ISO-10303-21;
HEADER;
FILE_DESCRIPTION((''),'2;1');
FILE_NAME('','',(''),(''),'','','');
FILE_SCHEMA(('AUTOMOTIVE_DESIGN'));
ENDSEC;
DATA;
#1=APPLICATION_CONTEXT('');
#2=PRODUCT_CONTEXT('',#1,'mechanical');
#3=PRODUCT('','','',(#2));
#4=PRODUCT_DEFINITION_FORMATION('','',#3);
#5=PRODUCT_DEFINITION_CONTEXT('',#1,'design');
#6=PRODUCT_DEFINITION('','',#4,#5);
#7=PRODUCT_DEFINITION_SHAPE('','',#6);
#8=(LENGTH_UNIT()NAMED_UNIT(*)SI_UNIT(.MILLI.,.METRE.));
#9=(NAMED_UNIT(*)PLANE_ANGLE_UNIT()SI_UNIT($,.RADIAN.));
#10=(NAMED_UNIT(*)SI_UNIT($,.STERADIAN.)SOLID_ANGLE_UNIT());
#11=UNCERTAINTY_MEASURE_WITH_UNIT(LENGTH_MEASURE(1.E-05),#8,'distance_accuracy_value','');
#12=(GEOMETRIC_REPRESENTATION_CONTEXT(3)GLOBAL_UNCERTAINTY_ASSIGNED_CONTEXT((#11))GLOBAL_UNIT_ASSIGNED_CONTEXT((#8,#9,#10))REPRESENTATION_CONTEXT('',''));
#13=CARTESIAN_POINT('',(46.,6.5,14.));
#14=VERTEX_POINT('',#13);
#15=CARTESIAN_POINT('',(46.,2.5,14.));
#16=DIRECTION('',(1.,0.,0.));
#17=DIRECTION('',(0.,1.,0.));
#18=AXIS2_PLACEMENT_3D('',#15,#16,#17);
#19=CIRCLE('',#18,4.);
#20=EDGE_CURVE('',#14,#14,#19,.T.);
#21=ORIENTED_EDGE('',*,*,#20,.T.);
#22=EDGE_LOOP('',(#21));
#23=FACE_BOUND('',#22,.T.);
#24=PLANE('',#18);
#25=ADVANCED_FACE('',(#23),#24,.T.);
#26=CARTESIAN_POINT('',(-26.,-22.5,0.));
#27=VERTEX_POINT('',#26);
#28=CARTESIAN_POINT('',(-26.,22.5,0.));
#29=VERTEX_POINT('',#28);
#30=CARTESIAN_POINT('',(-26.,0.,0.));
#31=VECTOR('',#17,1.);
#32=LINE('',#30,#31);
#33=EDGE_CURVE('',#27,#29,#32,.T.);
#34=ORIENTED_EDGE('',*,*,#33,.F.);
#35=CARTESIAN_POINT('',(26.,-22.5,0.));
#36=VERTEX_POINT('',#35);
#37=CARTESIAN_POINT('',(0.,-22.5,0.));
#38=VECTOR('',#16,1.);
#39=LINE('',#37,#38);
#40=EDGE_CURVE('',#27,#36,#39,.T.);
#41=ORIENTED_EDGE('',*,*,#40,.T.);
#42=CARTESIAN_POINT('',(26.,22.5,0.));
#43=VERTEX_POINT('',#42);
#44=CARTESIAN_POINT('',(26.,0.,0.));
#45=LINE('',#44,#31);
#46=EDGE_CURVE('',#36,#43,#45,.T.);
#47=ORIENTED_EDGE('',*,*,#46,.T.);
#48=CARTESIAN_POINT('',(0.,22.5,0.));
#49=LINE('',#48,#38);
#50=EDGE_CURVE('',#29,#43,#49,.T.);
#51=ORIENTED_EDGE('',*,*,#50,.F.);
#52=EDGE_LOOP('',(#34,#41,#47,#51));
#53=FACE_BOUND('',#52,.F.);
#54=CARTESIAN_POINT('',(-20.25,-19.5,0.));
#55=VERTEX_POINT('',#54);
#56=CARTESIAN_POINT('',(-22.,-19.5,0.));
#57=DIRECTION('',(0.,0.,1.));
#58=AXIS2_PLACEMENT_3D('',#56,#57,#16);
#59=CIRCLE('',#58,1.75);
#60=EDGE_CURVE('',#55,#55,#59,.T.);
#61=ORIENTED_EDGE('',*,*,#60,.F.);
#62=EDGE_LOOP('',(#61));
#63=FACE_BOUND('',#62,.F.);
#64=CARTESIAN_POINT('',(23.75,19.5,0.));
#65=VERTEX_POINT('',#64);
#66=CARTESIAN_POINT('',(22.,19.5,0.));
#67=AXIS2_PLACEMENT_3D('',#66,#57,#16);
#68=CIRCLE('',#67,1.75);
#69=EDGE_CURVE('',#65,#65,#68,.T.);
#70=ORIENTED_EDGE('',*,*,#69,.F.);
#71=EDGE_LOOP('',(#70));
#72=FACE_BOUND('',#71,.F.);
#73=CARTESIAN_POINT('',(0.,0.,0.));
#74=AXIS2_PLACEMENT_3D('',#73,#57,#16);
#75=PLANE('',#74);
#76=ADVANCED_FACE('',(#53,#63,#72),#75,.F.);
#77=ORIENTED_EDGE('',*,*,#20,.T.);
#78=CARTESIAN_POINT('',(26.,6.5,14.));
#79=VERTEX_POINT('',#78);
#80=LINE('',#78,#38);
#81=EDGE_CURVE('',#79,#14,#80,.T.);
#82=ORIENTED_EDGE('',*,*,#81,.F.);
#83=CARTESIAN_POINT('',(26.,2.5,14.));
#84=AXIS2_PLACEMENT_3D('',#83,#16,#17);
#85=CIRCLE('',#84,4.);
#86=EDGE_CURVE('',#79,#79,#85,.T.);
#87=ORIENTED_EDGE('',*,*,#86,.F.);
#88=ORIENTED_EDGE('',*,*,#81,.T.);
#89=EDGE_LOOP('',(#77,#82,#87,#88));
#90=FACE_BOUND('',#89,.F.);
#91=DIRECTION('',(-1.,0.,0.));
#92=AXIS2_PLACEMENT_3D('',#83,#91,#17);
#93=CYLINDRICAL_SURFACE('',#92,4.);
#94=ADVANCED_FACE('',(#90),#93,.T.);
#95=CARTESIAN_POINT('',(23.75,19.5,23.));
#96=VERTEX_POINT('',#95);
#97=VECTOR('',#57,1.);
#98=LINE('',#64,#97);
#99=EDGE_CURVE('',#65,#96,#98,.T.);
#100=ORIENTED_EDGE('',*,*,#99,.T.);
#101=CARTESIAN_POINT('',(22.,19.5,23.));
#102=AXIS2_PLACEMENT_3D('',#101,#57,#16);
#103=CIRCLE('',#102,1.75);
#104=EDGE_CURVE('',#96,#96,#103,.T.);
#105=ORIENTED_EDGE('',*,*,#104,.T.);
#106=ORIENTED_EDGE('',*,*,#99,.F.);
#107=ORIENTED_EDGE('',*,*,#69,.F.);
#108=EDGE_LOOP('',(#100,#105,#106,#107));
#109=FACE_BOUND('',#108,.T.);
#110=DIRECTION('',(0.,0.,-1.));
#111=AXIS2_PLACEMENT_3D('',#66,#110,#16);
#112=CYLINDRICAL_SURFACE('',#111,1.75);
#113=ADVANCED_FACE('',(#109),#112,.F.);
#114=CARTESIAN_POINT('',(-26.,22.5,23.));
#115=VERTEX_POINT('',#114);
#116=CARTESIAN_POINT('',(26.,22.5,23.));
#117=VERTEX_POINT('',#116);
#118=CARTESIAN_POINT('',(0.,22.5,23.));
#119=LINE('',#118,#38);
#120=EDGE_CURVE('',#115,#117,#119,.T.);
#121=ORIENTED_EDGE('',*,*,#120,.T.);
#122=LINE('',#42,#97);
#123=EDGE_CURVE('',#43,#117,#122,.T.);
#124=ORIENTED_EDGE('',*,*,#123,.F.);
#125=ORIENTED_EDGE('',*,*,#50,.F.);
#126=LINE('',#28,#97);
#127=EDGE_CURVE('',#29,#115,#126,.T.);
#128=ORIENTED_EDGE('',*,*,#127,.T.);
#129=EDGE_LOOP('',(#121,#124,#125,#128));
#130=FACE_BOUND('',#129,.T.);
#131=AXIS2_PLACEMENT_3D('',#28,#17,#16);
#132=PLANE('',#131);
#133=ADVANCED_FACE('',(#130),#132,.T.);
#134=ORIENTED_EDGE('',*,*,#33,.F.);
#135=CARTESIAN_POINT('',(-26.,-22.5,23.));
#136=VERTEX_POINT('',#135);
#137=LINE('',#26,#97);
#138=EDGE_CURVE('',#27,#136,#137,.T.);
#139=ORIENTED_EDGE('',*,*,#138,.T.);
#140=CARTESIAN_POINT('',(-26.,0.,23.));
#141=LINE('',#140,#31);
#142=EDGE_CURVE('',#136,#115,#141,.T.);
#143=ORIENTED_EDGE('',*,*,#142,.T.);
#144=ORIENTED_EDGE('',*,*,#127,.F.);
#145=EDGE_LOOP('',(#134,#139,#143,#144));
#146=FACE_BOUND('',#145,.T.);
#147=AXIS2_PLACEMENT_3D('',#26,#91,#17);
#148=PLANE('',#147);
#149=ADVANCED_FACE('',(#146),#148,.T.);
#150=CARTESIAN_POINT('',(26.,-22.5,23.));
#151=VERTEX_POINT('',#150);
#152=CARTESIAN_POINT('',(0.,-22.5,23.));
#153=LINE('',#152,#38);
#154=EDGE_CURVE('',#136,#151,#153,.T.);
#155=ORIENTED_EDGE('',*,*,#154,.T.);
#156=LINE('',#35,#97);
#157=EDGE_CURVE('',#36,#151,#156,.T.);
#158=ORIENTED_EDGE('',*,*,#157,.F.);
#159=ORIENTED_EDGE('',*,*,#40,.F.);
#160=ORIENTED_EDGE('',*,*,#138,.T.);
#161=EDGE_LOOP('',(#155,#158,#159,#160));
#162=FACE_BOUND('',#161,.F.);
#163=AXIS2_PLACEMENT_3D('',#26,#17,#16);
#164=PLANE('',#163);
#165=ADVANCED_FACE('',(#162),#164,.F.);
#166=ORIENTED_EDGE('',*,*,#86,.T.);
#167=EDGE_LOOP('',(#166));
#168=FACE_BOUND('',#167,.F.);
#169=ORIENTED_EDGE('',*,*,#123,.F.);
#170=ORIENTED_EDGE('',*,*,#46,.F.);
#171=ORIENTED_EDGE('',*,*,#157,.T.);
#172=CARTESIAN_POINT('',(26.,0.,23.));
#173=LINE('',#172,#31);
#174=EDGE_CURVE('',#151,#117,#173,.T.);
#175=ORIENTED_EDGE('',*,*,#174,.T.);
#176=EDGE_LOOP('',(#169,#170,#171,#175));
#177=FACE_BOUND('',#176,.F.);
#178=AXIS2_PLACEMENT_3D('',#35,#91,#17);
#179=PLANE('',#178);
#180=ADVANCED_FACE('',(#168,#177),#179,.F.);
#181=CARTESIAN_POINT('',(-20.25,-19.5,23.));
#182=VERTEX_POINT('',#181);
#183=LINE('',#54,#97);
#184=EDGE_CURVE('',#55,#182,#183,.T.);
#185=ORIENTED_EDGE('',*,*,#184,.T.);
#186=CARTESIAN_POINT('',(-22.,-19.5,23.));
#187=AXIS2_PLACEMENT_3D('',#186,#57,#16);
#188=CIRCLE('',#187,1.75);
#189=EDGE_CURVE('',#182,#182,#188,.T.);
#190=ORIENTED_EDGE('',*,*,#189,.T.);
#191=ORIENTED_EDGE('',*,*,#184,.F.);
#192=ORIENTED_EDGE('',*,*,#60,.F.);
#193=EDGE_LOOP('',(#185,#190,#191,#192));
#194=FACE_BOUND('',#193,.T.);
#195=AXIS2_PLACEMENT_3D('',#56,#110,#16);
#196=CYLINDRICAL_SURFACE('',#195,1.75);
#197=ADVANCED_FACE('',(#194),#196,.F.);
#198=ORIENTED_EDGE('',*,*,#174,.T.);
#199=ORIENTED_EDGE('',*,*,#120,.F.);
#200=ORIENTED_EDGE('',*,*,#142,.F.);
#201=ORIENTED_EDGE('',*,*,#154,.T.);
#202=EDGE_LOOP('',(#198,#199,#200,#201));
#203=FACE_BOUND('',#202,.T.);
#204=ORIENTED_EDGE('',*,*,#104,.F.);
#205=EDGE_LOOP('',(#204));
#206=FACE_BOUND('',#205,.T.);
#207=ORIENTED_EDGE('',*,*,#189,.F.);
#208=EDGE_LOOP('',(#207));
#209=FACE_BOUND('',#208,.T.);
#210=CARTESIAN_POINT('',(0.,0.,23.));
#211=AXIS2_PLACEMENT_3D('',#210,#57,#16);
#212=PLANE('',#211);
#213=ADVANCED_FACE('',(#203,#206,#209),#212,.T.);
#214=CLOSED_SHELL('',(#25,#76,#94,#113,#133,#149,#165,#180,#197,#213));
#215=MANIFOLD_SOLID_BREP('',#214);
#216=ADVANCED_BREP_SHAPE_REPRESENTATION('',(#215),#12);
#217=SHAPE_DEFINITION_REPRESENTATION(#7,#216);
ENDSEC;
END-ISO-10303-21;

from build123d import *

# Parameters (mm, degrees)
SKETCH_W     = 52
SKETCH_H     = 45
SKETCH_R     = 1.75
PAD_DEPTH    = 23
SKETCH001_R  = 4
PAD001_DEPTH = 20


with BuildPart() as part:
    # Sketch → Pad (new body)
    with BuildSketch(Plane.XY):
        Rectangle(SKETCH_W, SKETCH_H)
        with Locations((-22, -19.5)):
            Circle(SKETCH_R, mode=Mode.SUBTRACT)
        with Locations((22, 19.5)):
            Circle(SKETCH_R, mode=Mode.SUBTRACT)
    extrude(amount=PAD_DEPTH)

    # Sketch001 (on Face2 of Pad) → Pad001 (join)
    with BuildSketch(Plane.YZ.offset(26)):
        with Locations((2.5, 14)):
            Circle(SKETCH001_R)
    extrude(amount=PAD001_DEPTH)


solid = part.part
